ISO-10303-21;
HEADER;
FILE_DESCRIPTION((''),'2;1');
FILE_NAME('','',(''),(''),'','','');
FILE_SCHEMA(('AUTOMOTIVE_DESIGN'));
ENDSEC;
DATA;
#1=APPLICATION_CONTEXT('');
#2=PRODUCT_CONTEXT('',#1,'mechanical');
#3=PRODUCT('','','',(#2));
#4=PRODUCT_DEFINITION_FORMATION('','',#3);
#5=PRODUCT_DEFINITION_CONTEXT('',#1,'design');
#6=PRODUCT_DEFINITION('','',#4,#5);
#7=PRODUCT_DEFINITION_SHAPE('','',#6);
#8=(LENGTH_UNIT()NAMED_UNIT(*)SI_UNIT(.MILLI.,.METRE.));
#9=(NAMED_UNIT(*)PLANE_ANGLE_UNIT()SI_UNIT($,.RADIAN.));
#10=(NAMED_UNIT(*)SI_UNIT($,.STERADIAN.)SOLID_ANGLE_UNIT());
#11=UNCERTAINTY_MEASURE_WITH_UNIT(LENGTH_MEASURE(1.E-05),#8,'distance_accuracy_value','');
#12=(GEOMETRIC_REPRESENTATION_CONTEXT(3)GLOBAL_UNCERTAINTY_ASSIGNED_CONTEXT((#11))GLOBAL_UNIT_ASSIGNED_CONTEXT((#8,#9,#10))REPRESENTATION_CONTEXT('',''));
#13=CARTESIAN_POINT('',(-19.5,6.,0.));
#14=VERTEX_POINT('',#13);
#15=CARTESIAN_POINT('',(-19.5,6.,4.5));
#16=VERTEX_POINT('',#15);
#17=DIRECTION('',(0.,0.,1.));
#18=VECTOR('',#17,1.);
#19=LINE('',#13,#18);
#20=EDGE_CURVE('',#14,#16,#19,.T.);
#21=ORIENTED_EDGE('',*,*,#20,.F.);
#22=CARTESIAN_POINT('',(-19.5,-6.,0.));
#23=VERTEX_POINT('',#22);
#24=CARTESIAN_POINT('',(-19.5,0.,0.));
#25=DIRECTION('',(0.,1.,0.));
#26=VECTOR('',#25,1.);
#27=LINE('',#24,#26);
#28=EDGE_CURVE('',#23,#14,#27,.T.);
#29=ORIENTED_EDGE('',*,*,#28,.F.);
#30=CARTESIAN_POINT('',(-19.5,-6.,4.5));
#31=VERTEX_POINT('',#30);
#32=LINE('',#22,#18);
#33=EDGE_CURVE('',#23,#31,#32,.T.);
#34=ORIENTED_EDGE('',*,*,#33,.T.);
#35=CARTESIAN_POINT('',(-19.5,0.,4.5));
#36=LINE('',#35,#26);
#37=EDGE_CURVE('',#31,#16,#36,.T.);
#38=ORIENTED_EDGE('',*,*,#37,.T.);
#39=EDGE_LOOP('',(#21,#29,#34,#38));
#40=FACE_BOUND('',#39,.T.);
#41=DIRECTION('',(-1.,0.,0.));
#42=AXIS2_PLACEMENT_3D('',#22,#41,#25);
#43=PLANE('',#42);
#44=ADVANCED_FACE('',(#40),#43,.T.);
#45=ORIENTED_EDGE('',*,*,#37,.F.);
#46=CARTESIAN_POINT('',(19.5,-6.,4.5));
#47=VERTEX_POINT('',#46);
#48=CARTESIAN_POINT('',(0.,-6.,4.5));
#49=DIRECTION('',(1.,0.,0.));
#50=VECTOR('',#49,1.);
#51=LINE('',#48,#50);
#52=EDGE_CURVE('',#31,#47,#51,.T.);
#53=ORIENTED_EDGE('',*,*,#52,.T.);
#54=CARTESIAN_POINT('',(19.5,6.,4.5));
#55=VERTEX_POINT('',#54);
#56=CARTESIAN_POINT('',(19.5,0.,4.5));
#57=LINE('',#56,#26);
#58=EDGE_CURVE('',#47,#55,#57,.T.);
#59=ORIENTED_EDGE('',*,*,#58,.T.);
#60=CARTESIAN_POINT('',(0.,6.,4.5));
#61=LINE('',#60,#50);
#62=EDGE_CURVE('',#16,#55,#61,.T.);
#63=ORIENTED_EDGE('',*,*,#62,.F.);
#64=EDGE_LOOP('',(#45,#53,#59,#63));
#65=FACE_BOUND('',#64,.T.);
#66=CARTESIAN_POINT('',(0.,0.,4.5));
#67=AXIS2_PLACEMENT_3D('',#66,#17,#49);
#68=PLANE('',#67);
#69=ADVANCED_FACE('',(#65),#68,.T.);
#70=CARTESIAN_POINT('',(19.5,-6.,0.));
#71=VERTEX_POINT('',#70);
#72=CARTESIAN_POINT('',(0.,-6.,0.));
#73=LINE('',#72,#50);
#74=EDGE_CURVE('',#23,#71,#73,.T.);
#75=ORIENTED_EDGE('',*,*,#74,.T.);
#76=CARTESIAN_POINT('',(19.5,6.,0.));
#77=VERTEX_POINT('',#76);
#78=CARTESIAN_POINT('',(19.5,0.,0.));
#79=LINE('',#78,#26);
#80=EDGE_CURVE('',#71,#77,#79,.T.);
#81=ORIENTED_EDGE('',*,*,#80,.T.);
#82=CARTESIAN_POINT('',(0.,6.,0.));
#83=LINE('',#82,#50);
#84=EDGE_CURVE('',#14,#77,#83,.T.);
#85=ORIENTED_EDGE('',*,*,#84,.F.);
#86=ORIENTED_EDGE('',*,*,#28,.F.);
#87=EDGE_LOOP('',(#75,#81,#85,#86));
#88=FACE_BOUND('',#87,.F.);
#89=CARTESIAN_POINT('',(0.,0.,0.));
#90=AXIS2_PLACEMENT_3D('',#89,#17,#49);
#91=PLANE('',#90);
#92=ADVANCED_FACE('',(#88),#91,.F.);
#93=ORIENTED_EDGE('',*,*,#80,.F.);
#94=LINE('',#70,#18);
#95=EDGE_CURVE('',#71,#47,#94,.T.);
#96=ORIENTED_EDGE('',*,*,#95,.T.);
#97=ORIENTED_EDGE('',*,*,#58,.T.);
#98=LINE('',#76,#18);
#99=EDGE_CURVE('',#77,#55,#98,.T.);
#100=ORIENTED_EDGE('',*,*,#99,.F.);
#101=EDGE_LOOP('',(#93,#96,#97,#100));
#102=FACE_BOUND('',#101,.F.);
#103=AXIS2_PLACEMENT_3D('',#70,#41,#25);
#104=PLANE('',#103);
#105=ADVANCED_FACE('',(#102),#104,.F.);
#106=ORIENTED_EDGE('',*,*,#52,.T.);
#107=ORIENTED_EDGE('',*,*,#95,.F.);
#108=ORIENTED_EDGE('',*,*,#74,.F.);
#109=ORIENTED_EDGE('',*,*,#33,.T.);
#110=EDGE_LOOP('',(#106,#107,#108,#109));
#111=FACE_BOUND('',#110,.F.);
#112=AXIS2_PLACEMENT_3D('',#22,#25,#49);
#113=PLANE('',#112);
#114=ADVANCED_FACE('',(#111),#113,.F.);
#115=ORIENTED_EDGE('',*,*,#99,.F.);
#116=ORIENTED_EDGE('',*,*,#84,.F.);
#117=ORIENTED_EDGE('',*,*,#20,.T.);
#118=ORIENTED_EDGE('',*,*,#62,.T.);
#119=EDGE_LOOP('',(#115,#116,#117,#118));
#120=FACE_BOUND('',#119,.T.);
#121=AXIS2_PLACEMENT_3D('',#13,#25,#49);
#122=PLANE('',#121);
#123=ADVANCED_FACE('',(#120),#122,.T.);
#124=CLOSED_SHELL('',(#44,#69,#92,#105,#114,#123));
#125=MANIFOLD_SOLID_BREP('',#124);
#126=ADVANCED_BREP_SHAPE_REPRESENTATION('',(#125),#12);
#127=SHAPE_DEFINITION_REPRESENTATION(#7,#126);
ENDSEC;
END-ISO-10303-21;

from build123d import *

# Parameters (mm, degrees)
SKETCH_W  = 39
SKETCH_H  = 12
PAD_DEPTH = 4.5


with BuildPart() as part:
    # Sketch → Pad (new body)
    with BuildSketch(Plane.XY):
        Rectangle(SKETCH_W, SKETCH_H)
    extrude(amount=PAD_DEPTH)


solid = part.part
